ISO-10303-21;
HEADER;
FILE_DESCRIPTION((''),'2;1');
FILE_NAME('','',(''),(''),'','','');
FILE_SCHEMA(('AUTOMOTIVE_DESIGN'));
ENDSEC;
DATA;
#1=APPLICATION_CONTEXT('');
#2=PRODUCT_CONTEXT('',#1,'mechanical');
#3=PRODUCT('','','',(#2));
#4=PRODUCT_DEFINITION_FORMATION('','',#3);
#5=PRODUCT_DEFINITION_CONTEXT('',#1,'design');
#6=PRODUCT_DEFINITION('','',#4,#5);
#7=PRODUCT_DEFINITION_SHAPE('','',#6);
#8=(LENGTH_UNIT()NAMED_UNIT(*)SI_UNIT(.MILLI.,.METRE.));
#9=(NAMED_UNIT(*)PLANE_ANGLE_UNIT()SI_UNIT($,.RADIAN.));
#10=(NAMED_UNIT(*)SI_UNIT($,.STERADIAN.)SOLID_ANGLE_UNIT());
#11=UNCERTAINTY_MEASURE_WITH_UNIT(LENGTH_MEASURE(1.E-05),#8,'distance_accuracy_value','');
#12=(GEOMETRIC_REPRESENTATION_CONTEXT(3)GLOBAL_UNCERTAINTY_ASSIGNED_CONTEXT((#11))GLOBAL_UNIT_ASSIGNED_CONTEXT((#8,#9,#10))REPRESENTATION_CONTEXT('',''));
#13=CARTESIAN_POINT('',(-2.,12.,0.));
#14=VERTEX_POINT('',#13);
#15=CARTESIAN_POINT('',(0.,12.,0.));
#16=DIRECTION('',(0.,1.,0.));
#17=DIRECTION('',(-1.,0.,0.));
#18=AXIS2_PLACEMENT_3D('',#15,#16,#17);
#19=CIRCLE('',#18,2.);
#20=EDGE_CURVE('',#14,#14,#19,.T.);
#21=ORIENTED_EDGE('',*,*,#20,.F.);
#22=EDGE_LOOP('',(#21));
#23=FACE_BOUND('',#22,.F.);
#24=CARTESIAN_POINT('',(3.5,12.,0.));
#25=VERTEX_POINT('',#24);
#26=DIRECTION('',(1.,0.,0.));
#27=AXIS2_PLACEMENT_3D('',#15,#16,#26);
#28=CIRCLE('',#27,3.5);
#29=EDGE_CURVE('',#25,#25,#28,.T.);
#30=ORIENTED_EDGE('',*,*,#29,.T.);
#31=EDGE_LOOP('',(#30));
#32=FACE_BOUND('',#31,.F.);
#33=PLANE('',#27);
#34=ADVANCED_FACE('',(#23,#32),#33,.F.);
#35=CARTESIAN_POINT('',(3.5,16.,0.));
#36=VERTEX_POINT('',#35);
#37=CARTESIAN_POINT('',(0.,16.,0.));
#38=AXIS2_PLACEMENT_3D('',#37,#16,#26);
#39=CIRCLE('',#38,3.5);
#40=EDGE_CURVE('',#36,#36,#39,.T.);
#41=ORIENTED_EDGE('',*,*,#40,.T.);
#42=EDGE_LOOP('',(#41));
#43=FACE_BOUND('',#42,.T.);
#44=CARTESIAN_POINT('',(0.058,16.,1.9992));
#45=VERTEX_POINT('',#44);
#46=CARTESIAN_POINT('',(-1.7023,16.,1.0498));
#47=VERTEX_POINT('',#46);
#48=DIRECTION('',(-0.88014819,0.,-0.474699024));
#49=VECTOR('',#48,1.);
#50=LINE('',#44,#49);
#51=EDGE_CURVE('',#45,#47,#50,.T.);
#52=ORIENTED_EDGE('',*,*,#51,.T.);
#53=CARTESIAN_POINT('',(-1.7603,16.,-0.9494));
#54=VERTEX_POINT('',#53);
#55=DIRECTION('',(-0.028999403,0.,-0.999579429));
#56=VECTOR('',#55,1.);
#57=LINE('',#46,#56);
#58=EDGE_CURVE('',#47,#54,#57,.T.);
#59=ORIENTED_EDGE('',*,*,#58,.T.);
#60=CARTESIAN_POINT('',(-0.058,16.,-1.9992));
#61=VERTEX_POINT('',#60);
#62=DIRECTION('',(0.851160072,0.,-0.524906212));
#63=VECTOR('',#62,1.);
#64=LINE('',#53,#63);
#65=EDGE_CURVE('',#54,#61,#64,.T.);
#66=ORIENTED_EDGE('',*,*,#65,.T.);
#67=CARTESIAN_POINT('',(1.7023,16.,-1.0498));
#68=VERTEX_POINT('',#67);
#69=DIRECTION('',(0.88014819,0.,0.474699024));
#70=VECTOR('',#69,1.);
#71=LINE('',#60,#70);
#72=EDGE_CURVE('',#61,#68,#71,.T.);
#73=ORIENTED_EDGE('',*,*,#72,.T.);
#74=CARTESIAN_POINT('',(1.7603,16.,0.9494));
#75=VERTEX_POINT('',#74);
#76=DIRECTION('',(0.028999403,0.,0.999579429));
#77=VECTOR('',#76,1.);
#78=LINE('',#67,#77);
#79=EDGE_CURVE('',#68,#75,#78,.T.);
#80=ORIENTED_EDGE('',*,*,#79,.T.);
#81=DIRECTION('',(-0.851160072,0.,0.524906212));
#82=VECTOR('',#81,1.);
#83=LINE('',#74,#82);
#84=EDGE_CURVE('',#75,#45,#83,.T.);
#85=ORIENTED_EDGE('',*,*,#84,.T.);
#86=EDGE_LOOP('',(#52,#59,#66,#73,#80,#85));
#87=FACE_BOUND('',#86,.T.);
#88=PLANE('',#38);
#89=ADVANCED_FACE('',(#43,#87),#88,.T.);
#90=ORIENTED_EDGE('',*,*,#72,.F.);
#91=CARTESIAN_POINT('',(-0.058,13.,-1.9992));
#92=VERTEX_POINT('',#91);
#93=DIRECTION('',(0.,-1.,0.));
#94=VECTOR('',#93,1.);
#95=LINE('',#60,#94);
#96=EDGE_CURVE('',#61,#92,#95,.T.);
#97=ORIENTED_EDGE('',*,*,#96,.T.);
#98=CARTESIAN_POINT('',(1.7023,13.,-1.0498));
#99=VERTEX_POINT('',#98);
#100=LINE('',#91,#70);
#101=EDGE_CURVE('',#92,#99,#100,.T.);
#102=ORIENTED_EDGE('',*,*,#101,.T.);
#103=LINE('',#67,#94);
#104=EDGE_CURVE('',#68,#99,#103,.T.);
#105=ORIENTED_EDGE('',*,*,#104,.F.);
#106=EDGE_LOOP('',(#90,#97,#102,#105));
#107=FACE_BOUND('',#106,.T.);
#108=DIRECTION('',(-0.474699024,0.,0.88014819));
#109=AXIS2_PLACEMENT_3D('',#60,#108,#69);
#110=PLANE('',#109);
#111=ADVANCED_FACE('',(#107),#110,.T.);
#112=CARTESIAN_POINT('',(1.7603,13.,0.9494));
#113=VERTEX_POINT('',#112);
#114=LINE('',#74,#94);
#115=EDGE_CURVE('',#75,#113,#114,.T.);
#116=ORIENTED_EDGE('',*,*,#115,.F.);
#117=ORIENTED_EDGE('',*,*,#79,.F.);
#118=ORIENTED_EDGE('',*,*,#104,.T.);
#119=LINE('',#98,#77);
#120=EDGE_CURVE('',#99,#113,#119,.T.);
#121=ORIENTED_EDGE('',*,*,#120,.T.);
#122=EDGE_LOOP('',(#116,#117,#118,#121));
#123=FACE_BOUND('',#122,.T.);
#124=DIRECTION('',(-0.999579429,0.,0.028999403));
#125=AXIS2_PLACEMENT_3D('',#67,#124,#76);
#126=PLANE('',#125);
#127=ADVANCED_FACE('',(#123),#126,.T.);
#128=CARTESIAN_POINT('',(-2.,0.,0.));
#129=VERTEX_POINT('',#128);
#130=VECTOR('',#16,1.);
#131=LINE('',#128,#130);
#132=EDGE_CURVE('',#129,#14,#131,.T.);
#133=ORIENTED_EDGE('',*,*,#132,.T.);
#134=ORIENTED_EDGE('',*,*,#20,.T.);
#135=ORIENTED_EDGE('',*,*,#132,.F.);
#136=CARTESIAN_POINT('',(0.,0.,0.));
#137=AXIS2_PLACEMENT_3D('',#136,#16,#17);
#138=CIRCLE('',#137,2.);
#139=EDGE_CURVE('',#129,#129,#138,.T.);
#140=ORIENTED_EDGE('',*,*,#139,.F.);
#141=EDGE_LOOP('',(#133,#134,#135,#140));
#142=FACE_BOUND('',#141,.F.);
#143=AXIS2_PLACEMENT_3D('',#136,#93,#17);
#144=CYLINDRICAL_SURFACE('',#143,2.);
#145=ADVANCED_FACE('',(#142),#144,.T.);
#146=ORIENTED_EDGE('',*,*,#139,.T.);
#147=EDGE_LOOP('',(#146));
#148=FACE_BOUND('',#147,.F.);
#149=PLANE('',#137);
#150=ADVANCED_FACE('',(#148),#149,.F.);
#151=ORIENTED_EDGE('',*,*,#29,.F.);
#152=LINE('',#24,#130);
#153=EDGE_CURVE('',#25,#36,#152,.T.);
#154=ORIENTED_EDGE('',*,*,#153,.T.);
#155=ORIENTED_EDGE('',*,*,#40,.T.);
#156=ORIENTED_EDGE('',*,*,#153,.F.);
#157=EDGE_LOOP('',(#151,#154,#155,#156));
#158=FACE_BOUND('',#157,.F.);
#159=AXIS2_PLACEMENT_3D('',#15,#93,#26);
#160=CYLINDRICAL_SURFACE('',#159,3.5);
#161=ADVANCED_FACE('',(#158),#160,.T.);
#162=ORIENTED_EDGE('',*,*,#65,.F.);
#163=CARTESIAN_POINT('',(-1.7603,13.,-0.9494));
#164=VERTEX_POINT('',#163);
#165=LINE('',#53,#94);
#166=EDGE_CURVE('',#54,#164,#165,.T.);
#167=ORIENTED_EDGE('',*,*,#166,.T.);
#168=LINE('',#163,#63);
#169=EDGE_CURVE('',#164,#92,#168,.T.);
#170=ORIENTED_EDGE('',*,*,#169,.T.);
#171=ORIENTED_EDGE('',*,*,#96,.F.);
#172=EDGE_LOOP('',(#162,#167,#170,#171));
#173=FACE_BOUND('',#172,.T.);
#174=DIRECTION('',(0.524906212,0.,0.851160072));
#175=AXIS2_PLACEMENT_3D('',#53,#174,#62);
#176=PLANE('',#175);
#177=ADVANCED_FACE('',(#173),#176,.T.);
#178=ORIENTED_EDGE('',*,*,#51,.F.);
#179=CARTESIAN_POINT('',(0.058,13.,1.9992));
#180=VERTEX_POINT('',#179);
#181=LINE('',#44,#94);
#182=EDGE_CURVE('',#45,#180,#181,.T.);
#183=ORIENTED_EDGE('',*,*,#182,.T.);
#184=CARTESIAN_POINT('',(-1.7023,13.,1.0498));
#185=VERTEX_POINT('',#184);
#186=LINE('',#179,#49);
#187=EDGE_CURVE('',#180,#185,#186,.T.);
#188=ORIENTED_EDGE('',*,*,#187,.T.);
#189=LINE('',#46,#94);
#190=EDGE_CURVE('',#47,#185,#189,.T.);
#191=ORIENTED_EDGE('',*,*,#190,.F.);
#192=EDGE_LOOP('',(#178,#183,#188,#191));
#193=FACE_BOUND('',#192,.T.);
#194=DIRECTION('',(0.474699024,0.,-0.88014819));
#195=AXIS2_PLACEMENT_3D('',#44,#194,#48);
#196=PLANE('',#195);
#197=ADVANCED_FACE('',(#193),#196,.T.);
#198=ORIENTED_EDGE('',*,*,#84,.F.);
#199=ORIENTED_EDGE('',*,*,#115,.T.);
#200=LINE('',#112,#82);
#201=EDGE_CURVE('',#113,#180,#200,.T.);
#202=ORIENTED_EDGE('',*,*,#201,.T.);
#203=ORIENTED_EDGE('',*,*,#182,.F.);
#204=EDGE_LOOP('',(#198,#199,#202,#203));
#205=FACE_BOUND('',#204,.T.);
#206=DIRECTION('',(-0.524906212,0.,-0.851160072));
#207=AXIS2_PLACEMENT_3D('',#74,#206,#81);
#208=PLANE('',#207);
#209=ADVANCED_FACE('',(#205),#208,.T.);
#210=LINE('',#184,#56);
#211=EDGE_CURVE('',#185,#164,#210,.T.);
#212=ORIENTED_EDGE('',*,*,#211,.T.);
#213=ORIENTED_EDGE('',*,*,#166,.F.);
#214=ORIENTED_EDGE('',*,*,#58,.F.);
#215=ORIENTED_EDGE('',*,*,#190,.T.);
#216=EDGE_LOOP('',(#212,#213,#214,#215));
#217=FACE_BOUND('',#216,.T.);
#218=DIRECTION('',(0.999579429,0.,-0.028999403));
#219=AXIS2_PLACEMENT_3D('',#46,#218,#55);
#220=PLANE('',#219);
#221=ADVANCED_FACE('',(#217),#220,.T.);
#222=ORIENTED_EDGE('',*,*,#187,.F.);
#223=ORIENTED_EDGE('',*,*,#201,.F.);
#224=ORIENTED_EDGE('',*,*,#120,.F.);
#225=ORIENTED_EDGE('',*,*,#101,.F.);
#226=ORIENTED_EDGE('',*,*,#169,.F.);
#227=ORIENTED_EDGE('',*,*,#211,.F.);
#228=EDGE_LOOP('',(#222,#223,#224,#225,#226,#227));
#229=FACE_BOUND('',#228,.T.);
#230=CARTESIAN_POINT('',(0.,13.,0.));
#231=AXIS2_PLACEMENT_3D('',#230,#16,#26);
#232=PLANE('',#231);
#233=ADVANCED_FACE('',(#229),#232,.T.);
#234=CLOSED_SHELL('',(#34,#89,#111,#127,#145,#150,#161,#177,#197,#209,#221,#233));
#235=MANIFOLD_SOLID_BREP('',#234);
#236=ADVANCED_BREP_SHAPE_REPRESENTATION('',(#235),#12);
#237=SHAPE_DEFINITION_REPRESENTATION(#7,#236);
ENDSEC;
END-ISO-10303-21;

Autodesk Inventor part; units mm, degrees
ref_plane "YZ Plane" through (0, 0, 0) normal (1, 0, 0) x (0, 1, 0)
ref_plane "XZ Plane" through (0, 0, 0) normal (0, 1, 0) x (-1, 0, 0)
ref_plane "XY Plane" through (0, 0, 0) normal (0, 0, 1) x (1, 0, 0)
sketch "Sketch1" plane through (0, 0, 0) normal (0, 1, 0) x (-1, 0, 0)
  circle A0 centre (0, 0) radius 2
  dimension "d0" = 4
extrude "Extrusion1" add sketch "Sketch1" along normal blind 12
sketch "Sketch2" plane through (0, 12, 0) normal (0, 1, 0) x (1, 0, 0)
  circle A0 centre (0, 0) radius 3.5
  dimension "d5" = 7
thread "Thread1" size "M4x0.7" class "6g" standard "ANSI Metric M Profile" full length
extrude "Extrusion2" add sketch "Sketch2" along normal blind 4
sketch "Sketch3" plane through (0, 16, 0) normal (0, 1, 0) x (1, 0, 0)
  circle A0 centre (0, 0) radius 3.5 projected
  circle A1 centre (0, 0) radius 2 projected
  line L0 (-1.7603, 0.9494) -> (-0.058, 1.9992)
  line L1 (-0.058, 1.9992) -> (1.7023, 1.0498)
  line L2 (1.7023, 1.0498) -> (1.7603, -0.9494)
  line L3 (1.7603, -0.9494) -> (0.058, -1.9992)
  line L4 (0.058, -1.9992) -> (-1.7023, -1.0498)
  line L5 (-1.7023, -1.0498) -> (-1.7603, 0.9494)
extrude "Extrusion3" cut sketch "Sketch3" against normal blind 3 contours L2 L3 L4 L5 L0 L1
properties part number "M4_12mm" material "Steel, Alloy"
